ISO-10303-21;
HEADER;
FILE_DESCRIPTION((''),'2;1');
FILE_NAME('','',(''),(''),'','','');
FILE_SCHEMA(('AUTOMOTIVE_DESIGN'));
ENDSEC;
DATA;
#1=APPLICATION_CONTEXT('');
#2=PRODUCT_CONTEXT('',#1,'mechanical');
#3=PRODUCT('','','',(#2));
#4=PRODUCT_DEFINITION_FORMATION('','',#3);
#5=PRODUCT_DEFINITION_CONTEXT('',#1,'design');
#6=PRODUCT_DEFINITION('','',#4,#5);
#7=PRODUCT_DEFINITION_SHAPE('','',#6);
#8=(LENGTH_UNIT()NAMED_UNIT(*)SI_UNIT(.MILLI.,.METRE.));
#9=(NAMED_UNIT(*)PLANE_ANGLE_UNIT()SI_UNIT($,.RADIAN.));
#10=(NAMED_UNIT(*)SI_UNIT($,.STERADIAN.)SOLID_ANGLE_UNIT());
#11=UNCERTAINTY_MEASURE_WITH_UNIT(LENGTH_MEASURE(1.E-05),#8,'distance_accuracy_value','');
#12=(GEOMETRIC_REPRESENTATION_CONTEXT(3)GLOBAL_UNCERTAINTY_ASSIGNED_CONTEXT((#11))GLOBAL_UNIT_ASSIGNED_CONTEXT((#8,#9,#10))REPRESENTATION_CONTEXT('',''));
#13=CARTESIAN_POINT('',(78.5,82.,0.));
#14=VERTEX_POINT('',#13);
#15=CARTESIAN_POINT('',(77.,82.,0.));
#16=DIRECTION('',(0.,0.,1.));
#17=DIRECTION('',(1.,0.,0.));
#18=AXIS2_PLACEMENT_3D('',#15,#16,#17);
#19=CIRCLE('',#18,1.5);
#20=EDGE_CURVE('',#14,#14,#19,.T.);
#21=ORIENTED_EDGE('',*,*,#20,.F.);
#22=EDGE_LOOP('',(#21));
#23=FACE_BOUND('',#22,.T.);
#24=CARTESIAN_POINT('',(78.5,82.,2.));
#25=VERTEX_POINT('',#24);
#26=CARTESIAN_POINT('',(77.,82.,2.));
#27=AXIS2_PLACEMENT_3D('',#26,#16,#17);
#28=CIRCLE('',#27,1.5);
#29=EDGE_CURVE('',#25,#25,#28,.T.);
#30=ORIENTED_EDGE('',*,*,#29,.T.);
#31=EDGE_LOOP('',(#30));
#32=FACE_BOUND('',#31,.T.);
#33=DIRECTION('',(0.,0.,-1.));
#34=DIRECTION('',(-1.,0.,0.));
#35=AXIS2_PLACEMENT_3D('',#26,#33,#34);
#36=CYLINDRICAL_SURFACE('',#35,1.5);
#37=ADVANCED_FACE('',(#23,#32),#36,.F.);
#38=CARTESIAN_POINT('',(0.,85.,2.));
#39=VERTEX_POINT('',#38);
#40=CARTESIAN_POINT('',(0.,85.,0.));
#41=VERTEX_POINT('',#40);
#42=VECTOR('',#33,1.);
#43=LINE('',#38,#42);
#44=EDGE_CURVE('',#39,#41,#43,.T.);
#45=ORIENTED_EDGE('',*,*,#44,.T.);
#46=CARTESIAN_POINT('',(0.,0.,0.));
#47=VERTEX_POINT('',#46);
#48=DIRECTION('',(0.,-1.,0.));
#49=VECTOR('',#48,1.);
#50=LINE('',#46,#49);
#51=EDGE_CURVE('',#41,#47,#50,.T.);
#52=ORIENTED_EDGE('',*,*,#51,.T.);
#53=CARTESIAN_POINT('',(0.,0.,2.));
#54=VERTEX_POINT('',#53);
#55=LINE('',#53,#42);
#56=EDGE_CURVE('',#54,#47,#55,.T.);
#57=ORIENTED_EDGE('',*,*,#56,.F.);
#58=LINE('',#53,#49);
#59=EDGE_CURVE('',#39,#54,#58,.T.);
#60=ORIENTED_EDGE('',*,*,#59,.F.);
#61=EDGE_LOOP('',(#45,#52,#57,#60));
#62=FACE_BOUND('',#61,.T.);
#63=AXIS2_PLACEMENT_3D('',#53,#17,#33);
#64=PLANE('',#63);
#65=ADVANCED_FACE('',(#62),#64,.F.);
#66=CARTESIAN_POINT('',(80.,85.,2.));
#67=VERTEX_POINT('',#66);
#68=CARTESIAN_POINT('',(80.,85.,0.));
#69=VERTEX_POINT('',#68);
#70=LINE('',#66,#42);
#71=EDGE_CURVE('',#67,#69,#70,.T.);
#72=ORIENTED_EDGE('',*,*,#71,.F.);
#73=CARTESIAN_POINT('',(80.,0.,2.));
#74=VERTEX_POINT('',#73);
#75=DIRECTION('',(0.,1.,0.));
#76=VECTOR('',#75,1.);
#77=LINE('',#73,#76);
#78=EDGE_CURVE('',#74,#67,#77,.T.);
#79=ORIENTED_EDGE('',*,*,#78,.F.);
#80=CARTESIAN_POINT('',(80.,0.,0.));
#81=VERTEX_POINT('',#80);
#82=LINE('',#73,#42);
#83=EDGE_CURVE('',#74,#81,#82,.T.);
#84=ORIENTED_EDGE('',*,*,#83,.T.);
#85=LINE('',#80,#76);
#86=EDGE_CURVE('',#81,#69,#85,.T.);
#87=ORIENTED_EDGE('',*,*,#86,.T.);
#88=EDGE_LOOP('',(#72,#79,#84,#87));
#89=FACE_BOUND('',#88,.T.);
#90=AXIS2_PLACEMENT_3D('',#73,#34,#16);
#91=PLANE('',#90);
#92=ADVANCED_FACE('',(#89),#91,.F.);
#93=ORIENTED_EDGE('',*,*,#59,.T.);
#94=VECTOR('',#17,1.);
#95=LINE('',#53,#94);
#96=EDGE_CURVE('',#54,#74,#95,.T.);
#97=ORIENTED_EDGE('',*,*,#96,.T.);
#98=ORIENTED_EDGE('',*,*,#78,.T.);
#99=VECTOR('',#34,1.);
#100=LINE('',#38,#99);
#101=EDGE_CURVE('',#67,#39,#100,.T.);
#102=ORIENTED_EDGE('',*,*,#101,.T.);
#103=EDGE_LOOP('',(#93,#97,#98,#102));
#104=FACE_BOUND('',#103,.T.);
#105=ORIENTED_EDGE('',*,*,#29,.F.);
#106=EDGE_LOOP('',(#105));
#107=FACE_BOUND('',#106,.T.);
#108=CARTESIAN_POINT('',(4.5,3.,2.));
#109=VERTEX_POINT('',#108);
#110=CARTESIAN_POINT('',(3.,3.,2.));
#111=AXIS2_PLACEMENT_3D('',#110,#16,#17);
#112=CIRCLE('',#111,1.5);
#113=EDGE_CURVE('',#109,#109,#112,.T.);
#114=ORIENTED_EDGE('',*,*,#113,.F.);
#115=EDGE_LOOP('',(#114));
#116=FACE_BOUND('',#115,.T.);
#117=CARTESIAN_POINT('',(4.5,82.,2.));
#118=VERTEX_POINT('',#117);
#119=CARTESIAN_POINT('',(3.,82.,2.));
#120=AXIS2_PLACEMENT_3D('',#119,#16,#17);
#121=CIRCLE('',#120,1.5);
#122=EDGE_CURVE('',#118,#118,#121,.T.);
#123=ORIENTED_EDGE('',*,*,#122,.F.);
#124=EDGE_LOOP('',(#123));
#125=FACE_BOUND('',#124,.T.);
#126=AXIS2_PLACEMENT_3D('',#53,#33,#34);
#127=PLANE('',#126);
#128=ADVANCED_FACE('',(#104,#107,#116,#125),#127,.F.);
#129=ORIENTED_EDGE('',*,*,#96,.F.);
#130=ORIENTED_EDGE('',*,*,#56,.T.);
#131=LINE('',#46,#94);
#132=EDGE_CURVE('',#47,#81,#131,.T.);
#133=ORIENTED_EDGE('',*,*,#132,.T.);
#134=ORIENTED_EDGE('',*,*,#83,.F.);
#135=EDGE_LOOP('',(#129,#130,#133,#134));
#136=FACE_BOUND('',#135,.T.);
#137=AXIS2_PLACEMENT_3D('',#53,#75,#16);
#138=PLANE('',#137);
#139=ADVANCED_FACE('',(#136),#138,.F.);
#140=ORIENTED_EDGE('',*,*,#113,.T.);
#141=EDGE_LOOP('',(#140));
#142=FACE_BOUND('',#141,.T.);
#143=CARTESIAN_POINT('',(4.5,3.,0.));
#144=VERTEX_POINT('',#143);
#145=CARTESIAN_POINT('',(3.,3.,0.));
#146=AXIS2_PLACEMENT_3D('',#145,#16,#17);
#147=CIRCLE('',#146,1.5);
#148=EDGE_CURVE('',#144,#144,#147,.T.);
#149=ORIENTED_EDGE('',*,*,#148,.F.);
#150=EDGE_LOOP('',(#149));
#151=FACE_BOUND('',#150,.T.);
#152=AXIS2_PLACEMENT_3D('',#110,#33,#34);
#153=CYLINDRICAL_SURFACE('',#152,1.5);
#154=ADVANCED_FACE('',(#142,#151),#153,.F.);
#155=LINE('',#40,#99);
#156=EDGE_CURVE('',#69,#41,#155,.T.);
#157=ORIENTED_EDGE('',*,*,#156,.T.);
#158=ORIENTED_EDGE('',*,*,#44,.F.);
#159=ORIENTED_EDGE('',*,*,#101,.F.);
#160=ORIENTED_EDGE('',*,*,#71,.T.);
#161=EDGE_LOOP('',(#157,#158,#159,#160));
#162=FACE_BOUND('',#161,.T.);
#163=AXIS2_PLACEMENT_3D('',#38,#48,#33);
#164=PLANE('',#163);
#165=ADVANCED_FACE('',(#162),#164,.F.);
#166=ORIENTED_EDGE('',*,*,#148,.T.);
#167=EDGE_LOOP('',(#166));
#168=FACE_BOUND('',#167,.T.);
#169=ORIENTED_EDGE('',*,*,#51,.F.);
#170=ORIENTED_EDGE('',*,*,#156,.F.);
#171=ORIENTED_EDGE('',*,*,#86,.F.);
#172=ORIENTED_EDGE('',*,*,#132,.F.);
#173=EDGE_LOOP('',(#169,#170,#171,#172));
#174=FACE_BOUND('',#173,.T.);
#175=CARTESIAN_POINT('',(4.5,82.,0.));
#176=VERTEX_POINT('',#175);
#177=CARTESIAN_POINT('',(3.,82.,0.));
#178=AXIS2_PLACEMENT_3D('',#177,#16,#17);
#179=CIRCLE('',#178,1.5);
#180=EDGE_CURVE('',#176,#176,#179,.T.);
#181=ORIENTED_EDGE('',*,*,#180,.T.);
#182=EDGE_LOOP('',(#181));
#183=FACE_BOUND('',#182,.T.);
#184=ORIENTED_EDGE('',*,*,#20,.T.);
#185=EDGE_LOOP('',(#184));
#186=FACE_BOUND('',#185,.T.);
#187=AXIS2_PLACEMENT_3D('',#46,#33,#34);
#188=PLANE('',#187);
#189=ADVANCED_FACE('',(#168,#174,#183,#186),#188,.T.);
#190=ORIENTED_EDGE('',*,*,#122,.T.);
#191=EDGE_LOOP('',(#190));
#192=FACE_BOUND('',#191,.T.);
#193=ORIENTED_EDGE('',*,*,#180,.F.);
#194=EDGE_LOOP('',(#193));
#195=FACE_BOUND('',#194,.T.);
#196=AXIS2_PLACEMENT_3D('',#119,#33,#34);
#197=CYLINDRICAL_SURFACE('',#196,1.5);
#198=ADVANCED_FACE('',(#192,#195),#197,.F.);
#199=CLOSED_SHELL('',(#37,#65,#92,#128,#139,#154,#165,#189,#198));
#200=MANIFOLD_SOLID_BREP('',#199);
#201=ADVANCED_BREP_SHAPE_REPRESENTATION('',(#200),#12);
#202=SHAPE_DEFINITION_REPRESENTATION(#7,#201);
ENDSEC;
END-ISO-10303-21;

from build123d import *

# Parameters (mm, degrees)
IZIM1_W                     = 80
IZIM1_H                     = 85
IZIM1_R                     = 1.5
Y_KSEKLIK_EKSTR_ZYON1_DEPTH = 2


with BuildPart() as part:
    # Çizim1 → Yükseklik-Ekstrüzyon1 (new body)
    with BuildSketch(Plane.XY):
        with Locations((40, 42.5)):
            Rectangle(IZIM1_W, IZIM1_H)
        with Locations((3, 3)):
            Circle(IZIM1_R, mode=Mode.SUBTRACT)
        with Locations((77, 82)):
            Circle(IZIM1_R, mode=Mode.SUBTRACT)
        with Locations((3, 82)):
            Circle(IZIM1_R, mode=Mode.SUBTRACT)
    extrude(amount=Y_KSEKLIK_EKSTR_ZYON1_DEPTH)


solid = part.part
